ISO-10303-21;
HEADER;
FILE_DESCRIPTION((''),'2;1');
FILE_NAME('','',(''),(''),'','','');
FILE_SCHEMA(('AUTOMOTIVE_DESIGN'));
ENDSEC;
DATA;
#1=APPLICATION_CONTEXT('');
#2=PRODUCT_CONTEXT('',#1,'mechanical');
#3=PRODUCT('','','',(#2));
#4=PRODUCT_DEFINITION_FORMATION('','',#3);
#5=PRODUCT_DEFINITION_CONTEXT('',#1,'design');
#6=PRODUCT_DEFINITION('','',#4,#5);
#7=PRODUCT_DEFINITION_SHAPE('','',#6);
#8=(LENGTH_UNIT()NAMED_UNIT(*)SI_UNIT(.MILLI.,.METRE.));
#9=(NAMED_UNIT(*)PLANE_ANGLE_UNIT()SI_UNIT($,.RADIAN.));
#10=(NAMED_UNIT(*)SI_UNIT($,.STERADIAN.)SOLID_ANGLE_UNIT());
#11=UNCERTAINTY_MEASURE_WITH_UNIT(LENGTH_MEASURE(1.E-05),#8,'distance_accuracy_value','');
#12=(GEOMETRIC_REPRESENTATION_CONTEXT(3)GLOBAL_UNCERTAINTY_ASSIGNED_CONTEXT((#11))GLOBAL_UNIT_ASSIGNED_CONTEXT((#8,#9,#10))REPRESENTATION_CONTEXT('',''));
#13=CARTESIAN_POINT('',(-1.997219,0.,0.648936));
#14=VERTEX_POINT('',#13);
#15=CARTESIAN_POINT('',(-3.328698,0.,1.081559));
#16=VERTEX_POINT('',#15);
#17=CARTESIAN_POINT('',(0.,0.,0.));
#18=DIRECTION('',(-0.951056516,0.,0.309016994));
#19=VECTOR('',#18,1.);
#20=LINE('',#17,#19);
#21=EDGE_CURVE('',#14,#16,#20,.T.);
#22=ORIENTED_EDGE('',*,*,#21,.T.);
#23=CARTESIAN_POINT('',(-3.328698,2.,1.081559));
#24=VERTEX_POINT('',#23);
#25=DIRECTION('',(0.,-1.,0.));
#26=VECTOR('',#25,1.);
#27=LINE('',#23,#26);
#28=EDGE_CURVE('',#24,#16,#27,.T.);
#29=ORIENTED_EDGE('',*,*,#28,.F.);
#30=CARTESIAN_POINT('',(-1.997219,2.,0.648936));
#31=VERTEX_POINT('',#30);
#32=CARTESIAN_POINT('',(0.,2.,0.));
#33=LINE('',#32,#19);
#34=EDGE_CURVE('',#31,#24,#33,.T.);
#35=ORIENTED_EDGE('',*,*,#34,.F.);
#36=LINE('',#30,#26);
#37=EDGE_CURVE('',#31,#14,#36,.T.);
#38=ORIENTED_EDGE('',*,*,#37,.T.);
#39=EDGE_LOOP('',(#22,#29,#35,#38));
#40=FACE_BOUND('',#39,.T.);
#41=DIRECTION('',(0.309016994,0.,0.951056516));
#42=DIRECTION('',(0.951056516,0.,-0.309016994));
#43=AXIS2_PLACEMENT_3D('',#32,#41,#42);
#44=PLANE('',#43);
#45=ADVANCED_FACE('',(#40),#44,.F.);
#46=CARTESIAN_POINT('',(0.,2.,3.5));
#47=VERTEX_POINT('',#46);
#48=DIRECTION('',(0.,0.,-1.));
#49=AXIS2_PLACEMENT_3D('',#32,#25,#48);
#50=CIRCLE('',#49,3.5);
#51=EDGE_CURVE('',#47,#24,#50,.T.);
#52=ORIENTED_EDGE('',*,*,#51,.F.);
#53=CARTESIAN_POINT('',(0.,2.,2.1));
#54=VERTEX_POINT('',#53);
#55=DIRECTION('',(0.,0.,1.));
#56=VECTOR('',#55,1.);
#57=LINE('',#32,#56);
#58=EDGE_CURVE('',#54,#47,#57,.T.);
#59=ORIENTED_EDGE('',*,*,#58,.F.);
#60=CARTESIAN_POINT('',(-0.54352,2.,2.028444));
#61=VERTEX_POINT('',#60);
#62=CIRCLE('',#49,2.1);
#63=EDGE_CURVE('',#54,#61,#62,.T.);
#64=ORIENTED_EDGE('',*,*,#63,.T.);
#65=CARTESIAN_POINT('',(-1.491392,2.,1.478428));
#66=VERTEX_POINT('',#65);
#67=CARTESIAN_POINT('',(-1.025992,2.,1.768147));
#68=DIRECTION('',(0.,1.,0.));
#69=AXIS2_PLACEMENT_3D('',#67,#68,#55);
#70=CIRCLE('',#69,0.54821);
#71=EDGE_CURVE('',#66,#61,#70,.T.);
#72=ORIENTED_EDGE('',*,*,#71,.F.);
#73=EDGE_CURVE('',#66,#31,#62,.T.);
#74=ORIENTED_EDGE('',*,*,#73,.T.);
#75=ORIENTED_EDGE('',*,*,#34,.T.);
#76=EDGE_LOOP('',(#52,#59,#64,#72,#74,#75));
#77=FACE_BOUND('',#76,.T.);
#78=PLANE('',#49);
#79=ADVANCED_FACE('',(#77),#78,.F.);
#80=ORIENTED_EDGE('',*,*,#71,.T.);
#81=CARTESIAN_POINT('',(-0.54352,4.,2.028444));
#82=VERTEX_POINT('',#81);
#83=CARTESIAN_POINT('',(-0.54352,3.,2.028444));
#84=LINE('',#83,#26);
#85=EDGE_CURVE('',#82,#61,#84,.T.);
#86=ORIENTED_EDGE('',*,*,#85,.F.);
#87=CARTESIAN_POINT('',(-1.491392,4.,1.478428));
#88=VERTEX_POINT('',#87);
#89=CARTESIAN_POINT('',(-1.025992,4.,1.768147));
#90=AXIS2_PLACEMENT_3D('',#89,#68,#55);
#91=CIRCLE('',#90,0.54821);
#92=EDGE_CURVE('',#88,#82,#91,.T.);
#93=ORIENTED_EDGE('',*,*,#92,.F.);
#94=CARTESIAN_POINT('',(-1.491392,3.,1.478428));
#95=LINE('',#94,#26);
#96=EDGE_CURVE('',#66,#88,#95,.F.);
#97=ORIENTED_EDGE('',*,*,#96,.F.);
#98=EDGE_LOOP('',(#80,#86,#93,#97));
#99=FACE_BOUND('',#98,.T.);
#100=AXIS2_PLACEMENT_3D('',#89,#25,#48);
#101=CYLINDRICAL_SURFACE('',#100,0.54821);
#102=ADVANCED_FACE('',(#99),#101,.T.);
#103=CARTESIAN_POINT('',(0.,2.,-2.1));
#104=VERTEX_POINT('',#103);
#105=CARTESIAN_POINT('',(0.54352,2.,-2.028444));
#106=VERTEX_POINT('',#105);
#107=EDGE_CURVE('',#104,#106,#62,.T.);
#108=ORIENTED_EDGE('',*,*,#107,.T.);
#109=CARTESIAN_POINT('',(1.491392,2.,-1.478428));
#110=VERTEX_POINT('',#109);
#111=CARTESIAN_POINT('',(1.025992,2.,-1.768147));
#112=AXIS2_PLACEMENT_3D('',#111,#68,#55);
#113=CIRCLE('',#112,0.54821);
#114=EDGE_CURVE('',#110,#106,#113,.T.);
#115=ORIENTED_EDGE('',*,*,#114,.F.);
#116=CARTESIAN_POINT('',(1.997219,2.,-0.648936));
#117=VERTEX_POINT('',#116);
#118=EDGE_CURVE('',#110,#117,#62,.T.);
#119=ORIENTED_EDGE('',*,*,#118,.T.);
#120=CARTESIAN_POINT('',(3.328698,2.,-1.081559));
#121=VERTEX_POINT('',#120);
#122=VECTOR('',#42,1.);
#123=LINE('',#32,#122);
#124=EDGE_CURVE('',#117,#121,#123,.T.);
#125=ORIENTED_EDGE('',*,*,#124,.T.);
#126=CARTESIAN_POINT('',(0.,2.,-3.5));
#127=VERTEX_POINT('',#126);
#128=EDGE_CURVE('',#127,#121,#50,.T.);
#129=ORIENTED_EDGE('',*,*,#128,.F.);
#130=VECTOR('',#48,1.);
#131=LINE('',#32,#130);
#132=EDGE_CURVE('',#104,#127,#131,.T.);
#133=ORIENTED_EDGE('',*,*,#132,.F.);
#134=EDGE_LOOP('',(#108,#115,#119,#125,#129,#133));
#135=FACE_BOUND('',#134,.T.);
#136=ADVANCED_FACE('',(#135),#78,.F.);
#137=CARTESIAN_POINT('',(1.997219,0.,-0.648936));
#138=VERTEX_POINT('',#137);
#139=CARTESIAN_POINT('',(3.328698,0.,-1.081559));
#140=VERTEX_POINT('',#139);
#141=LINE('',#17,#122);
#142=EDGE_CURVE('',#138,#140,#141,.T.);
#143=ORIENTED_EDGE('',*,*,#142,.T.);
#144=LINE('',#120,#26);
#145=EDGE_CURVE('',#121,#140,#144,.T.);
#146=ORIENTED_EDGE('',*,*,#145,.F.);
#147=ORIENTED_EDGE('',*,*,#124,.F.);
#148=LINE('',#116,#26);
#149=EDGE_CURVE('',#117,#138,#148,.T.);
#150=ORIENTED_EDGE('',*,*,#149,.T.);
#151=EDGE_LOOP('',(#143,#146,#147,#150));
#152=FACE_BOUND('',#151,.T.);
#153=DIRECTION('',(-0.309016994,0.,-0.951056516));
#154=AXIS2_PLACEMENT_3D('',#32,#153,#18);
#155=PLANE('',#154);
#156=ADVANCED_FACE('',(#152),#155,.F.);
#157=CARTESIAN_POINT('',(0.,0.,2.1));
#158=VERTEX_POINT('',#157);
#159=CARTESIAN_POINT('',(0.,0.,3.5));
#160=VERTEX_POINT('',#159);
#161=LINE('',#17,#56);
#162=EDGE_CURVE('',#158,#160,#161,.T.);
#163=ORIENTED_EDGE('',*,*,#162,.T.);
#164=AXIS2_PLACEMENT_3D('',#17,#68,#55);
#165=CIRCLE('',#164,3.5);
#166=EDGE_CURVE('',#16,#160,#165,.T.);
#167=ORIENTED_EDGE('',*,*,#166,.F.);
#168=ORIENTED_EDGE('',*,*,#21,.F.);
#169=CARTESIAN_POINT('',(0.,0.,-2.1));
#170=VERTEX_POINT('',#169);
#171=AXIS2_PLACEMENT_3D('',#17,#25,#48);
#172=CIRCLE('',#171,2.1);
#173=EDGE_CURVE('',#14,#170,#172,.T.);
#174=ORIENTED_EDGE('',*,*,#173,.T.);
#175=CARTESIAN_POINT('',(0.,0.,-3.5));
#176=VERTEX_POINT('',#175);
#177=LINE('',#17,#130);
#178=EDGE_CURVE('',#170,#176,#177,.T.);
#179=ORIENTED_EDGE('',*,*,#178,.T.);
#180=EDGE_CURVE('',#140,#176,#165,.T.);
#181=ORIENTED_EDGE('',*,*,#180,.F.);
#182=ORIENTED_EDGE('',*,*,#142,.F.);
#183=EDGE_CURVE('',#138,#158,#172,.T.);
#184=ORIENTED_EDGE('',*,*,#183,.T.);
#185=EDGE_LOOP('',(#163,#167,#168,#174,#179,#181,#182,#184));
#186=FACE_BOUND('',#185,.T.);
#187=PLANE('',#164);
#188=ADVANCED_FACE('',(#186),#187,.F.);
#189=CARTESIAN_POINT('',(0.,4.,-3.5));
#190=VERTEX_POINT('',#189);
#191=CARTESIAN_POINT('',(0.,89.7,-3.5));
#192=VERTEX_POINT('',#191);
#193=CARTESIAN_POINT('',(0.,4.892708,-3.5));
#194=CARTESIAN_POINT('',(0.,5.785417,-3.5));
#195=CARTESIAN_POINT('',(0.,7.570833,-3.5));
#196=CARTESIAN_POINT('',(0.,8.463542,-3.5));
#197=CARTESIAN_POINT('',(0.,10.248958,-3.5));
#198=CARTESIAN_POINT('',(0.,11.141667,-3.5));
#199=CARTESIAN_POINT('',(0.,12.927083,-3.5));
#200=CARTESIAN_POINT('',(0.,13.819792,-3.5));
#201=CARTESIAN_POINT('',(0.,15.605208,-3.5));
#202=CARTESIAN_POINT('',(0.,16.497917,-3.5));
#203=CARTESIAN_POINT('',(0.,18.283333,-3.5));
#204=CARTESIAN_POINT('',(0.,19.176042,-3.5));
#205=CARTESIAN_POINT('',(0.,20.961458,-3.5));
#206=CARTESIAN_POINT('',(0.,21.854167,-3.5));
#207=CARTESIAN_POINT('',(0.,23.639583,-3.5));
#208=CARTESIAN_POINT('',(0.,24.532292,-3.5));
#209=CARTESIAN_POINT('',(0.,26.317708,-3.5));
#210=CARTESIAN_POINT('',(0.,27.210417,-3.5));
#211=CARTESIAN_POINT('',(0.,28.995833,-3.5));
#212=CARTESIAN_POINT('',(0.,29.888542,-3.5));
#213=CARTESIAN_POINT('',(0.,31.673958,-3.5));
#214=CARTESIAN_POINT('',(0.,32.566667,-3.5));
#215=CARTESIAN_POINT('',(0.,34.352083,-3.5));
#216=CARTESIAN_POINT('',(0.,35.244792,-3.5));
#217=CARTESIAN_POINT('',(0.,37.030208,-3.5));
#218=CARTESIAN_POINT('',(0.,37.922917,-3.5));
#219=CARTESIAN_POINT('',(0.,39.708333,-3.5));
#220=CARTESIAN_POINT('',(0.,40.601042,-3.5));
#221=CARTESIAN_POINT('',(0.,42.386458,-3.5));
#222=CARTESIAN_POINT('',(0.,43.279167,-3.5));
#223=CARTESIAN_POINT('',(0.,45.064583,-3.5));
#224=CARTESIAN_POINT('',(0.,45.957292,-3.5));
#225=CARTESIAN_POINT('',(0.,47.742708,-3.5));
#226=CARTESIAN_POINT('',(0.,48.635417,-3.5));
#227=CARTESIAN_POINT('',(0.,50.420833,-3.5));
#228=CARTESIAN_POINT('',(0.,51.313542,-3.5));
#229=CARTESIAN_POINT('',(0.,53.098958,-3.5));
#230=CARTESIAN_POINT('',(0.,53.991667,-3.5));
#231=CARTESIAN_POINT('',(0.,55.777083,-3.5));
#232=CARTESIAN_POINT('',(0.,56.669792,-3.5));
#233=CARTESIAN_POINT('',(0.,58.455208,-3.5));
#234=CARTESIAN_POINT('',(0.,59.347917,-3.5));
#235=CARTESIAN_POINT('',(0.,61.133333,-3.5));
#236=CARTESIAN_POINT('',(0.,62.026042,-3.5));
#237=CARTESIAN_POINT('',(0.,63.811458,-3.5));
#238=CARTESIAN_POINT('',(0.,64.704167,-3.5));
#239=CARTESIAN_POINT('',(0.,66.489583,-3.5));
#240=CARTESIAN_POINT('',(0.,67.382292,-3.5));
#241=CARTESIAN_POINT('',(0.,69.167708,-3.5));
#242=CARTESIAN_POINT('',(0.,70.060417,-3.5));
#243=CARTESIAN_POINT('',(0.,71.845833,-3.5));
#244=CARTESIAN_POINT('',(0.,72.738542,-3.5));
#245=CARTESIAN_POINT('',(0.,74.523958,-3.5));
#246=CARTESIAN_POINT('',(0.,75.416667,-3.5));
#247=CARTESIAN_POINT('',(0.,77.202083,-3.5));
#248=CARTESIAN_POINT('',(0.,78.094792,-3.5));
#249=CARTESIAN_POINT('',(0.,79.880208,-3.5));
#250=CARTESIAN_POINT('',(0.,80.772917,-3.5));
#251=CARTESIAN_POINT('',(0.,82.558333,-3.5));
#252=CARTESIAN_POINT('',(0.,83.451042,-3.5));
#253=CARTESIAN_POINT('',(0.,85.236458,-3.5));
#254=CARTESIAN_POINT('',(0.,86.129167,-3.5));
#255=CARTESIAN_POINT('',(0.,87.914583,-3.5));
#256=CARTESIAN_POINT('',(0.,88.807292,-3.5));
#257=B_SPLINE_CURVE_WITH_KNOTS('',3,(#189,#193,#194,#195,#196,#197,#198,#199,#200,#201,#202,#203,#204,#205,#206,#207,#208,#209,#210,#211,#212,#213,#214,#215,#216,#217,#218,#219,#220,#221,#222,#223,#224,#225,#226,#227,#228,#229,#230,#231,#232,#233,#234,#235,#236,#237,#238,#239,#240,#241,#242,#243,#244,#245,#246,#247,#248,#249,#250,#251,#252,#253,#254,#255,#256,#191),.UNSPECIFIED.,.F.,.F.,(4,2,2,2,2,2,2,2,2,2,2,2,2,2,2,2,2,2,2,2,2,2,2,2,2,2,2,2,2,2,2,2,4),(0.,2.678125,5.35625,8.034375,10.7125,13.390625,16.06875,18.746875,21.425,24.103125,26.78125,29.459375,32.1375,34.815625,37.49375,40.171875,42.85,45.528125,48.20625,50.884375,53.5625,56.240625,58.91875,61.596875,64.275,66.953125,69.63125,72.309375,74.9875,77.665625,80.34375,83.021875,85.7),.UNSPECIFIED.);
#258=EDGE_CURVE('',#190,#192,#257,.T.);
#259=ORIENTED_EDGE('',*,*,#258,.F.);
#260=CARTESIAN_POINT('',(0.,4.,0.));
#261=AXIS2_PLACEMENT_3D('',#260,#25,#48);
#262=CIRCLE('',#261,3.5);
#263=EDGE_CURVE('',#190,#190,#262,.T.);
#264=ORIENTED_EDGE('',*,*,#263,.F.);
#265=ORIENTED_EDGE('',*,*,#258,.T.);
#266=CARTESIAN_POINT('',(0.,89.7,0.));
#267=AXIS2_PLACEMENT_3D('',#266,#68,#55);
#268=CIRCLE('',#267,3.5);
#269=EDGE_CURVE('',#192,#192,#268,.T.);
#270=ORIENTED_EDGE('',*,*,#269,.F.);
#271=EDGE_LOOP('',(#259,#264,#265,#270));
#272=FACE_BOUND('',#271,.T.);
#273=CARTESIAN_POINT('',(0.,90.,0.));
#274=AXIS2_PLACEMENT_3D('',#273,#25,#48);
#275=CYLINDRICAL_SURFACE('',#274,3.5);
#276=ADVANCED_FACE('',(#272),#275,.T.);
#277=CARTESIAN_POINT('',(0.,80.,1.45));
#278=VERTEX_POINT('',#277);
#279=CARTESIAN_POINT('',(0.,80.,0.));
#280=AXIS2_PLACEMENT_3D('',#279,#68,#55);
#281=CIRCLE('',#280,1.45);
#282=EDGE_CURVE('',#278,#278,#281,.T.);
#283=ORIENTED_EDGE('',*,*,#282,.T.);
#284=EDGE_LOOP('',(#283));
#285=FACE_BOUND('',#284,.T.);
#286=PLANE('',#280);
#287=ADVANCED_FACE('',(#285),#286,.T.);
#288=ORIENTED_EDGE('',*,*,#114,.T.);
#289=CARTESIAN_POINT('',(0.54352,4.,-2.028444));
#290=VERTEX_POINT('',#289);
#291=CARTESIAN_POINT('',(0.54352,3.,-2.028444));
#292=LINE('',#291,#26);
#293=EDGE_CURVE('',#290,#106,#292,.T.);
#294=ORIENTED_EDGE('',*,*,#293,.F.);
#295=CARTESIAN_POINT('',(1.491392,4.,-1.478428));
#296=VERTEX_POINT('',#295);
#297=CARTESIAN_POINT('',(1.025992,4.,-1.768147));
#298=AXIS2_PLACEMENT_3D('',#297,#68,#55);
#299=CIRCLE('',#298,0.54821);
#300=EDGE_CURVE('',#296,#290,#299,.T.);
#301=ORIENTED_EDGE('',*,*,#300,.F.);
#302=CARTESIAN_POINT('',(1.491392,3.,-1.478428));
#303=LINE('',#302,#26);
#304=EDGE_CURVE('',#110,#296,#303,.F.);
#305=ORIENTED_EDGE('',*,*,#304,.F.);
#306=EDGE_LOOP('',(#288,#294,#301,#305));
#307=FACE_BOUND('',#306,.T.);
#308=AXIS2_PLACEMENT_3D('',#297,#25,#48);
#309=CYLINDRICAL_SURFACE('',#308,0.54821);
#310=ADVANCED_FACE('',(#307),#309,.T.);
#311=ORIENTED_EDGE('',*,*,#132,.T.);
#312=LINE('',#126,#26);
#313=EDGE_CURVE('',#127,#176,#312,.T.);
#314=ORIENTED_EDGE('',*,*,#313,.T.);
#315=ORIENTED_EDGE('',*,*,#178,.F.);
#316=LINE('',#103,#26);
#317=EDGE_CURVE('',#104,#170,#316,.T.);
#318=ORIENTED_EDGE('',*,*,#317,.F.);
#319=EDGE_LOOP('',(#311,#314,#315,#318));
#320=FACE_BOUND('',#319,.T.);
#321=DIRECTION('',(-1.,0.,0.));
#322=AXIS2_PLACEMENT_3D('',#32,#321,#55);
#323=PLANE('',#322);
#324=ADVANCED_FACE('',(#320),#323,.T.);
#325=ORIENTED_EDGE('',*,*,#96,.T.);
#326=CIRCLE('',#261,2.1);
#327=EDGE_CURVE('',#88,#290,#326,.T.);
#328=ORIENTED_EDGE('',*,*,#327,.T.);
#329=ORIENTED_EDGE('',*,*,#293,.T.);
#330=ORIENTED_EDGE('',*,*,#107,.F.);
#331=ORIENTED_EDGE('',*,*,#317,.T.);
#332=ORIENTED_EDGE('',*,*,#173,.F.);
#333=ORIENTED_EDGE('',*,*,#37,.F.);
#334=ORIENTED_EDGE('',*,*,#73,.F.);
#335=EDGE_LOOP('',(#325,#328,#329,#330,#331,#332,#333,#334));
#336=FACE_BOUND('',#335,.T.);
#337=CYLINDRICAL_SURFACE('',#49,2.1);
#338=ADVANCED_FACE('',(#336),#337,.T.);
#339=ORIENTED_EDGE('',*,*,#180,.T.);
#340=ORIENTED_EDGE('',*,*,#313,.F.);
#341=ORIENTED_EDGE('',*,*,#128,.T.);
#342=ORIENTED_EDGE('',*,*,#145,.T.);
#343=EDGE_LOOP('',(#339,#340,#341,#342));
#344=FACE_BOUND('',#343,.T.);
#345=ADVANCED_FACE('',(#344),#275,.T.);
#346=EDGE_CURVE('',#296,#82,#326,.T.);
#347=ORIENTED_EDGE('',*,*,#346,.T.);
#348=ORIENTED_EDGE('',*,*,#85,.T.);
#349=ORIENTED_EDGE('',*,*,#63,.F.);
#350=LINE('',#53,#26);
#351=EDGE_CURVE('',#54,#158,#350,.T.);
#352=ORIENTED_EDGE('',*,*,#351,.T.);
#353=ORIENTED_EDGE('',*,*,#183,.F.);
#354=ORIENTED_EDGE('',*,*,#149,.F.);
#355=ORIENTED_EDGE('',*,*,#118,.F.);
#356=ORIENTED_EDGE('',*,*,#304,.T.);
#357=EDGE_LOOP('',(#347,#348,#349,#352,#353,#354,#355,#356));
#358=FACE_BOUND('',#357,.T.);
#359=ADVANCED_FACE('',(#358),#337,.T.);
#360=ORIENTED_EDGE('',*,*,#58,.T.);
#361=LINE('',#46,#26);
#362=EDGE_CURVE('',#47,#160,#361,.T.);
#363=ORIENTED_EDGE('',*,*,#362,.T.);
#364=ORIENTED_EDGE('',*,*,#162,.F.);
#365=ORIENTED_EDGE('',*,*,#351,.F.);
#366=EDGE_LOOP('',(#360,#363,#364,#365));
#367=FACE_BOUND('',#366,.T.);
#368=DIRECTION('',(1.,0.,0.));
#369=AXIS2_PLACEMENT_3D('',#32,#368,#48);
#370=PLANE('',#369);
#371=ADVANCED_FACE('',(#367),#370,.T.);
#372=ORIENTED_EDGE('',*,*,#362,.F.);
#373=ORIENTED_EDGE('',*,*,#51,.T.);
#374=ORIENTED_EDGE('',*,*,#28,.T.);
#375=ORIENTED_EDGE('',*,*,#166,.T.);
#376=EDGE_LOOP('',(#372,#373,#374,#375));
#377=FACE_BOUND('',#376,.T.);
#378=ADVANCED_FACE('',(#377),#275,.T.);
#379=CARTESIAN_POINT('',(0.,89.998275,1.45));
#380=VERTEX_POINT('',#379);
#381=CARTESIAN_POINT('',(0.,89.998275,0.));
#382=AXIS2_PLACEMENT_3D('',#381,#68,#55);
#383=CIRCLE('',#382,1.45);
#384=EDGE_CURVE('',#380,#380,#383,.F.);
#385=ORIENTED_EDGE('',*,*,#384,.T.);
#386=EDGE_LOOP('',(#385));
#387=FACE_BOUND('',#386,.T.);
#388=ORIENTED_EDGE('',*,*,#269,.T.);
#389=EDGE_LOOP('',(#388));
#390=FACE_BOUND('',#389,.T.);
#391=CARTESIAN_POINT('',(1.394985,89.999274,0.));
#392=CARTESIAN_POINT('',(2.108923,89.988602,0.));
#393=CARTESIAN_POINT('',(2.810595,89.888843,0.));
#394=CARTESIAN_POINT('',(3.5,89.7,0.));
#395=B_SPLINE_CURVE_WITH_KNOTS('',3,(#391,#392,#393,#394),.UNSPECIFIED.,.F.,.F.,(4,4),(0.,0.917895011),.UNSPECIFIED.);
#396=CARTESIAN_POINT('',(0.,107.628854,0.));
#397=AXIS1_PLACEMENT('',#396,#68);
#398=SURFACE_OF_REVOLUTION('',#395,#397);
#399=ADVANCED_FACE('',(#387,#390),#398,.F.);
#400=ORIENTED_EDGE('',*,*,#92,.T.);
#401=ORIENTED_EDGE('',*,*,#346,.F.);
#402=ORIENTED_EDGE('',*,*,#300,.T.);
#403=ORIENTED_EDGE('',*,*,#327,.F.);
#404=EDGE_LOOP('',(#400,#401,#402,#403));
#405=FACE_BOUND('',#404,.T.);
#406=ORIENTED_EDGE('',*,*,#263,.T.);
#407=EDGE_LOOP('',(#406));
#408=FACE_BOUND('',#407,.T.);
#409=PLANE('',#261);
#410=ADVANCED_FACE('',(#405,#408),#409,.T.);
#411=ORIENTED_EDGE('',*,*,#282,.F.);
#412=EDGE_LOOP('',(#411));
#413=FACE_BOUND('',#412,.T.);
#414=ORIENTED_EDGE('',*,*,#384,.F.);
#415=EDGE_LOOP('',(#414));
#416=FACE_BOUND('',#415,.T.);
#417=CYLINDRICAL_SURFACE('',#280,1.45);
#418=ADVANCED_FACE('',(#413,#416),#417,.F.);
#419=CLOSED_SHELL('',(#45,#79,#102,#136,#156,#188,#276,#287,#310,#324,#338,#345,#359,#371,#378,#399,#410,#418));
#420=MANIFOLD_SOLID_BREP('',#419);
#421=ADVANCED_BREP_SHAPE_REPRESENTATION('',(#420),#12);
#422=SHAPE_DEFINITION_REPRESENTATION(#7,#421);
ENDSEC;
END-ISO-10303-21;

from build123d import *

# Parameters (mm, degrees)
SKETCH_1_R          = 3.5
EXTRUDE_1_DEPTH     = 90
CUT_EXTRUDE_1_DEPTH = 2
SKETCH_3_R          = 3.5
SKETCH_3_R_2        = 2.1
CUT_EXTRUDE_3_DEPTH = 2
SKETCH_4_R          = 0.548210007
EXTRUDE_2_DEPTH     = 2
SKETCH_5_R          = 1.45
CUT_EXTRUDE_5_DEPTH = 10


with BuildPart() as part:
    # 草图1 → 凸台-拉伸1 (new body)
    with BuildSketch(Plane(origin=(0, 0, 0), x_dir=(1, 0, 0), z_dir=(0, 1, 0))):
        with Locations(Location((0, 0, 0), (0, 0, 90))):
            Circle(SKETCH_1_R)
    extrude(amount=EXTRUDE_1_DEPTH)

    # 草图2 → 切除-拉伸1 (cut)
    with BuildSketch(Plane.XZ):
        with BuildLine():
            Line((0, 3.5), (0, 2.1))
            ThreePointArc((0, 2.1), (1.698935688, 1.23434903), (1.997218684, -0.648935688))
            Line((1.997218684, -0.648935688), (3.328697807, -1.08155948))
            ThreePointArc((3.328697807, -1.08155948), (3.456909192, -0.547520628), (3.5, 0))
            ThreePointArc((3.5, 0), (2.474873734, 2.474873734), (0, 3.5))
        make_face()
        with BuildLine():
            ThreePointArc((0, -2.1), (-1.698935688, -1.23434903), (-1.997218684, 0.648935688))
            Line((-1.997218684, 0.648935688), (-3.328697807, 1.08155948))
            ThreePointArc((-3.328697807, 1.08155948), (-2.83155948, -2.057248383), (0, -3.5))
            Line((0, -3.5), (0, -2.1))
        make_face()
    extrude(amount=-CUT_EXTRUDE_1_DEPTH, mode=Mode.SUBTRACT)

    # 草图3 → 切除-拉伸3 (cut)
    with BuildSketch(Plane.XZ.offset(-2)):
        with Locations(Location((0, 0, 0), (0, 0, 270))):
            Circle(SKETCH_3_R)
        with Locations(Location((0, 0, 0), (0, 0, 270))):
            Circle(SKETCH_3_R_2, mode=Mode.SUBTRACT)
    extrude(amount=-CUT_EXTRUDE_3_DEPTH, mode=Mode.SUBTRACT)

    # 草图4 → 凸台-拉伸2 (add)
    with BuildSketch(Plane(origin=(0, 2, 0), x_dir=(1, 0, 0), z_dir=(0, 1, 0))):
        with Locations((-1.025992333, -1.768146991)):
            Circle(SKETCH_4_R)
        with Locations((1.025992333, 1.768146991)):
            Circle(SKETCH_4_R)
    extrude(amount=EXTRUDE_2_DEPTH)

    # 草图5 → 切除-拉伸5 (cut)
    with BuildSketch(Plane(origin=(0, 90, 0), x_dir=(1, 0, 0), z_dir=(0, 1, 0))):
        with Locations(Location((0, 0, 0), (0, 0, 270))):
            Circle(SKETCH_5_R)
    extrude(amount=-CUT_EXTRUDE_5_DEPTH, mode=Mode.SUBTRACT)

    # 草图6 → 切除-旋转2 (revolve, cut)
    with BuildSketch(Plane.XY, mode=Mode.PRIVATE) as cut_revolve_2_sk:
        with BuildLine():
            Line((3.5, 90), (3.5, 89.7))
            add(Edge.make_bspline(
                [(3.5, 89.7), (2.810594715, 89.888843462), (2.108922974, 89.988601578), (1.395404454, 90)],
                knots=[0, 0, 0, 0, 0.917895011, 0.917895011, 0.917895011, 0.917895011], degree=3))
            Line((1.395404454, 90), (3.5, 90))
        make_face()
    revolve(cut_revolve_2_sk.sketch.rotate(Axis((0, 107.628853611, 0), (0, -1, 0)), 270), axis=Axis((0, 107.628853611, 0), (0, -1, 0)), mode=Mode.SUBTRACT)


solid = part.part
